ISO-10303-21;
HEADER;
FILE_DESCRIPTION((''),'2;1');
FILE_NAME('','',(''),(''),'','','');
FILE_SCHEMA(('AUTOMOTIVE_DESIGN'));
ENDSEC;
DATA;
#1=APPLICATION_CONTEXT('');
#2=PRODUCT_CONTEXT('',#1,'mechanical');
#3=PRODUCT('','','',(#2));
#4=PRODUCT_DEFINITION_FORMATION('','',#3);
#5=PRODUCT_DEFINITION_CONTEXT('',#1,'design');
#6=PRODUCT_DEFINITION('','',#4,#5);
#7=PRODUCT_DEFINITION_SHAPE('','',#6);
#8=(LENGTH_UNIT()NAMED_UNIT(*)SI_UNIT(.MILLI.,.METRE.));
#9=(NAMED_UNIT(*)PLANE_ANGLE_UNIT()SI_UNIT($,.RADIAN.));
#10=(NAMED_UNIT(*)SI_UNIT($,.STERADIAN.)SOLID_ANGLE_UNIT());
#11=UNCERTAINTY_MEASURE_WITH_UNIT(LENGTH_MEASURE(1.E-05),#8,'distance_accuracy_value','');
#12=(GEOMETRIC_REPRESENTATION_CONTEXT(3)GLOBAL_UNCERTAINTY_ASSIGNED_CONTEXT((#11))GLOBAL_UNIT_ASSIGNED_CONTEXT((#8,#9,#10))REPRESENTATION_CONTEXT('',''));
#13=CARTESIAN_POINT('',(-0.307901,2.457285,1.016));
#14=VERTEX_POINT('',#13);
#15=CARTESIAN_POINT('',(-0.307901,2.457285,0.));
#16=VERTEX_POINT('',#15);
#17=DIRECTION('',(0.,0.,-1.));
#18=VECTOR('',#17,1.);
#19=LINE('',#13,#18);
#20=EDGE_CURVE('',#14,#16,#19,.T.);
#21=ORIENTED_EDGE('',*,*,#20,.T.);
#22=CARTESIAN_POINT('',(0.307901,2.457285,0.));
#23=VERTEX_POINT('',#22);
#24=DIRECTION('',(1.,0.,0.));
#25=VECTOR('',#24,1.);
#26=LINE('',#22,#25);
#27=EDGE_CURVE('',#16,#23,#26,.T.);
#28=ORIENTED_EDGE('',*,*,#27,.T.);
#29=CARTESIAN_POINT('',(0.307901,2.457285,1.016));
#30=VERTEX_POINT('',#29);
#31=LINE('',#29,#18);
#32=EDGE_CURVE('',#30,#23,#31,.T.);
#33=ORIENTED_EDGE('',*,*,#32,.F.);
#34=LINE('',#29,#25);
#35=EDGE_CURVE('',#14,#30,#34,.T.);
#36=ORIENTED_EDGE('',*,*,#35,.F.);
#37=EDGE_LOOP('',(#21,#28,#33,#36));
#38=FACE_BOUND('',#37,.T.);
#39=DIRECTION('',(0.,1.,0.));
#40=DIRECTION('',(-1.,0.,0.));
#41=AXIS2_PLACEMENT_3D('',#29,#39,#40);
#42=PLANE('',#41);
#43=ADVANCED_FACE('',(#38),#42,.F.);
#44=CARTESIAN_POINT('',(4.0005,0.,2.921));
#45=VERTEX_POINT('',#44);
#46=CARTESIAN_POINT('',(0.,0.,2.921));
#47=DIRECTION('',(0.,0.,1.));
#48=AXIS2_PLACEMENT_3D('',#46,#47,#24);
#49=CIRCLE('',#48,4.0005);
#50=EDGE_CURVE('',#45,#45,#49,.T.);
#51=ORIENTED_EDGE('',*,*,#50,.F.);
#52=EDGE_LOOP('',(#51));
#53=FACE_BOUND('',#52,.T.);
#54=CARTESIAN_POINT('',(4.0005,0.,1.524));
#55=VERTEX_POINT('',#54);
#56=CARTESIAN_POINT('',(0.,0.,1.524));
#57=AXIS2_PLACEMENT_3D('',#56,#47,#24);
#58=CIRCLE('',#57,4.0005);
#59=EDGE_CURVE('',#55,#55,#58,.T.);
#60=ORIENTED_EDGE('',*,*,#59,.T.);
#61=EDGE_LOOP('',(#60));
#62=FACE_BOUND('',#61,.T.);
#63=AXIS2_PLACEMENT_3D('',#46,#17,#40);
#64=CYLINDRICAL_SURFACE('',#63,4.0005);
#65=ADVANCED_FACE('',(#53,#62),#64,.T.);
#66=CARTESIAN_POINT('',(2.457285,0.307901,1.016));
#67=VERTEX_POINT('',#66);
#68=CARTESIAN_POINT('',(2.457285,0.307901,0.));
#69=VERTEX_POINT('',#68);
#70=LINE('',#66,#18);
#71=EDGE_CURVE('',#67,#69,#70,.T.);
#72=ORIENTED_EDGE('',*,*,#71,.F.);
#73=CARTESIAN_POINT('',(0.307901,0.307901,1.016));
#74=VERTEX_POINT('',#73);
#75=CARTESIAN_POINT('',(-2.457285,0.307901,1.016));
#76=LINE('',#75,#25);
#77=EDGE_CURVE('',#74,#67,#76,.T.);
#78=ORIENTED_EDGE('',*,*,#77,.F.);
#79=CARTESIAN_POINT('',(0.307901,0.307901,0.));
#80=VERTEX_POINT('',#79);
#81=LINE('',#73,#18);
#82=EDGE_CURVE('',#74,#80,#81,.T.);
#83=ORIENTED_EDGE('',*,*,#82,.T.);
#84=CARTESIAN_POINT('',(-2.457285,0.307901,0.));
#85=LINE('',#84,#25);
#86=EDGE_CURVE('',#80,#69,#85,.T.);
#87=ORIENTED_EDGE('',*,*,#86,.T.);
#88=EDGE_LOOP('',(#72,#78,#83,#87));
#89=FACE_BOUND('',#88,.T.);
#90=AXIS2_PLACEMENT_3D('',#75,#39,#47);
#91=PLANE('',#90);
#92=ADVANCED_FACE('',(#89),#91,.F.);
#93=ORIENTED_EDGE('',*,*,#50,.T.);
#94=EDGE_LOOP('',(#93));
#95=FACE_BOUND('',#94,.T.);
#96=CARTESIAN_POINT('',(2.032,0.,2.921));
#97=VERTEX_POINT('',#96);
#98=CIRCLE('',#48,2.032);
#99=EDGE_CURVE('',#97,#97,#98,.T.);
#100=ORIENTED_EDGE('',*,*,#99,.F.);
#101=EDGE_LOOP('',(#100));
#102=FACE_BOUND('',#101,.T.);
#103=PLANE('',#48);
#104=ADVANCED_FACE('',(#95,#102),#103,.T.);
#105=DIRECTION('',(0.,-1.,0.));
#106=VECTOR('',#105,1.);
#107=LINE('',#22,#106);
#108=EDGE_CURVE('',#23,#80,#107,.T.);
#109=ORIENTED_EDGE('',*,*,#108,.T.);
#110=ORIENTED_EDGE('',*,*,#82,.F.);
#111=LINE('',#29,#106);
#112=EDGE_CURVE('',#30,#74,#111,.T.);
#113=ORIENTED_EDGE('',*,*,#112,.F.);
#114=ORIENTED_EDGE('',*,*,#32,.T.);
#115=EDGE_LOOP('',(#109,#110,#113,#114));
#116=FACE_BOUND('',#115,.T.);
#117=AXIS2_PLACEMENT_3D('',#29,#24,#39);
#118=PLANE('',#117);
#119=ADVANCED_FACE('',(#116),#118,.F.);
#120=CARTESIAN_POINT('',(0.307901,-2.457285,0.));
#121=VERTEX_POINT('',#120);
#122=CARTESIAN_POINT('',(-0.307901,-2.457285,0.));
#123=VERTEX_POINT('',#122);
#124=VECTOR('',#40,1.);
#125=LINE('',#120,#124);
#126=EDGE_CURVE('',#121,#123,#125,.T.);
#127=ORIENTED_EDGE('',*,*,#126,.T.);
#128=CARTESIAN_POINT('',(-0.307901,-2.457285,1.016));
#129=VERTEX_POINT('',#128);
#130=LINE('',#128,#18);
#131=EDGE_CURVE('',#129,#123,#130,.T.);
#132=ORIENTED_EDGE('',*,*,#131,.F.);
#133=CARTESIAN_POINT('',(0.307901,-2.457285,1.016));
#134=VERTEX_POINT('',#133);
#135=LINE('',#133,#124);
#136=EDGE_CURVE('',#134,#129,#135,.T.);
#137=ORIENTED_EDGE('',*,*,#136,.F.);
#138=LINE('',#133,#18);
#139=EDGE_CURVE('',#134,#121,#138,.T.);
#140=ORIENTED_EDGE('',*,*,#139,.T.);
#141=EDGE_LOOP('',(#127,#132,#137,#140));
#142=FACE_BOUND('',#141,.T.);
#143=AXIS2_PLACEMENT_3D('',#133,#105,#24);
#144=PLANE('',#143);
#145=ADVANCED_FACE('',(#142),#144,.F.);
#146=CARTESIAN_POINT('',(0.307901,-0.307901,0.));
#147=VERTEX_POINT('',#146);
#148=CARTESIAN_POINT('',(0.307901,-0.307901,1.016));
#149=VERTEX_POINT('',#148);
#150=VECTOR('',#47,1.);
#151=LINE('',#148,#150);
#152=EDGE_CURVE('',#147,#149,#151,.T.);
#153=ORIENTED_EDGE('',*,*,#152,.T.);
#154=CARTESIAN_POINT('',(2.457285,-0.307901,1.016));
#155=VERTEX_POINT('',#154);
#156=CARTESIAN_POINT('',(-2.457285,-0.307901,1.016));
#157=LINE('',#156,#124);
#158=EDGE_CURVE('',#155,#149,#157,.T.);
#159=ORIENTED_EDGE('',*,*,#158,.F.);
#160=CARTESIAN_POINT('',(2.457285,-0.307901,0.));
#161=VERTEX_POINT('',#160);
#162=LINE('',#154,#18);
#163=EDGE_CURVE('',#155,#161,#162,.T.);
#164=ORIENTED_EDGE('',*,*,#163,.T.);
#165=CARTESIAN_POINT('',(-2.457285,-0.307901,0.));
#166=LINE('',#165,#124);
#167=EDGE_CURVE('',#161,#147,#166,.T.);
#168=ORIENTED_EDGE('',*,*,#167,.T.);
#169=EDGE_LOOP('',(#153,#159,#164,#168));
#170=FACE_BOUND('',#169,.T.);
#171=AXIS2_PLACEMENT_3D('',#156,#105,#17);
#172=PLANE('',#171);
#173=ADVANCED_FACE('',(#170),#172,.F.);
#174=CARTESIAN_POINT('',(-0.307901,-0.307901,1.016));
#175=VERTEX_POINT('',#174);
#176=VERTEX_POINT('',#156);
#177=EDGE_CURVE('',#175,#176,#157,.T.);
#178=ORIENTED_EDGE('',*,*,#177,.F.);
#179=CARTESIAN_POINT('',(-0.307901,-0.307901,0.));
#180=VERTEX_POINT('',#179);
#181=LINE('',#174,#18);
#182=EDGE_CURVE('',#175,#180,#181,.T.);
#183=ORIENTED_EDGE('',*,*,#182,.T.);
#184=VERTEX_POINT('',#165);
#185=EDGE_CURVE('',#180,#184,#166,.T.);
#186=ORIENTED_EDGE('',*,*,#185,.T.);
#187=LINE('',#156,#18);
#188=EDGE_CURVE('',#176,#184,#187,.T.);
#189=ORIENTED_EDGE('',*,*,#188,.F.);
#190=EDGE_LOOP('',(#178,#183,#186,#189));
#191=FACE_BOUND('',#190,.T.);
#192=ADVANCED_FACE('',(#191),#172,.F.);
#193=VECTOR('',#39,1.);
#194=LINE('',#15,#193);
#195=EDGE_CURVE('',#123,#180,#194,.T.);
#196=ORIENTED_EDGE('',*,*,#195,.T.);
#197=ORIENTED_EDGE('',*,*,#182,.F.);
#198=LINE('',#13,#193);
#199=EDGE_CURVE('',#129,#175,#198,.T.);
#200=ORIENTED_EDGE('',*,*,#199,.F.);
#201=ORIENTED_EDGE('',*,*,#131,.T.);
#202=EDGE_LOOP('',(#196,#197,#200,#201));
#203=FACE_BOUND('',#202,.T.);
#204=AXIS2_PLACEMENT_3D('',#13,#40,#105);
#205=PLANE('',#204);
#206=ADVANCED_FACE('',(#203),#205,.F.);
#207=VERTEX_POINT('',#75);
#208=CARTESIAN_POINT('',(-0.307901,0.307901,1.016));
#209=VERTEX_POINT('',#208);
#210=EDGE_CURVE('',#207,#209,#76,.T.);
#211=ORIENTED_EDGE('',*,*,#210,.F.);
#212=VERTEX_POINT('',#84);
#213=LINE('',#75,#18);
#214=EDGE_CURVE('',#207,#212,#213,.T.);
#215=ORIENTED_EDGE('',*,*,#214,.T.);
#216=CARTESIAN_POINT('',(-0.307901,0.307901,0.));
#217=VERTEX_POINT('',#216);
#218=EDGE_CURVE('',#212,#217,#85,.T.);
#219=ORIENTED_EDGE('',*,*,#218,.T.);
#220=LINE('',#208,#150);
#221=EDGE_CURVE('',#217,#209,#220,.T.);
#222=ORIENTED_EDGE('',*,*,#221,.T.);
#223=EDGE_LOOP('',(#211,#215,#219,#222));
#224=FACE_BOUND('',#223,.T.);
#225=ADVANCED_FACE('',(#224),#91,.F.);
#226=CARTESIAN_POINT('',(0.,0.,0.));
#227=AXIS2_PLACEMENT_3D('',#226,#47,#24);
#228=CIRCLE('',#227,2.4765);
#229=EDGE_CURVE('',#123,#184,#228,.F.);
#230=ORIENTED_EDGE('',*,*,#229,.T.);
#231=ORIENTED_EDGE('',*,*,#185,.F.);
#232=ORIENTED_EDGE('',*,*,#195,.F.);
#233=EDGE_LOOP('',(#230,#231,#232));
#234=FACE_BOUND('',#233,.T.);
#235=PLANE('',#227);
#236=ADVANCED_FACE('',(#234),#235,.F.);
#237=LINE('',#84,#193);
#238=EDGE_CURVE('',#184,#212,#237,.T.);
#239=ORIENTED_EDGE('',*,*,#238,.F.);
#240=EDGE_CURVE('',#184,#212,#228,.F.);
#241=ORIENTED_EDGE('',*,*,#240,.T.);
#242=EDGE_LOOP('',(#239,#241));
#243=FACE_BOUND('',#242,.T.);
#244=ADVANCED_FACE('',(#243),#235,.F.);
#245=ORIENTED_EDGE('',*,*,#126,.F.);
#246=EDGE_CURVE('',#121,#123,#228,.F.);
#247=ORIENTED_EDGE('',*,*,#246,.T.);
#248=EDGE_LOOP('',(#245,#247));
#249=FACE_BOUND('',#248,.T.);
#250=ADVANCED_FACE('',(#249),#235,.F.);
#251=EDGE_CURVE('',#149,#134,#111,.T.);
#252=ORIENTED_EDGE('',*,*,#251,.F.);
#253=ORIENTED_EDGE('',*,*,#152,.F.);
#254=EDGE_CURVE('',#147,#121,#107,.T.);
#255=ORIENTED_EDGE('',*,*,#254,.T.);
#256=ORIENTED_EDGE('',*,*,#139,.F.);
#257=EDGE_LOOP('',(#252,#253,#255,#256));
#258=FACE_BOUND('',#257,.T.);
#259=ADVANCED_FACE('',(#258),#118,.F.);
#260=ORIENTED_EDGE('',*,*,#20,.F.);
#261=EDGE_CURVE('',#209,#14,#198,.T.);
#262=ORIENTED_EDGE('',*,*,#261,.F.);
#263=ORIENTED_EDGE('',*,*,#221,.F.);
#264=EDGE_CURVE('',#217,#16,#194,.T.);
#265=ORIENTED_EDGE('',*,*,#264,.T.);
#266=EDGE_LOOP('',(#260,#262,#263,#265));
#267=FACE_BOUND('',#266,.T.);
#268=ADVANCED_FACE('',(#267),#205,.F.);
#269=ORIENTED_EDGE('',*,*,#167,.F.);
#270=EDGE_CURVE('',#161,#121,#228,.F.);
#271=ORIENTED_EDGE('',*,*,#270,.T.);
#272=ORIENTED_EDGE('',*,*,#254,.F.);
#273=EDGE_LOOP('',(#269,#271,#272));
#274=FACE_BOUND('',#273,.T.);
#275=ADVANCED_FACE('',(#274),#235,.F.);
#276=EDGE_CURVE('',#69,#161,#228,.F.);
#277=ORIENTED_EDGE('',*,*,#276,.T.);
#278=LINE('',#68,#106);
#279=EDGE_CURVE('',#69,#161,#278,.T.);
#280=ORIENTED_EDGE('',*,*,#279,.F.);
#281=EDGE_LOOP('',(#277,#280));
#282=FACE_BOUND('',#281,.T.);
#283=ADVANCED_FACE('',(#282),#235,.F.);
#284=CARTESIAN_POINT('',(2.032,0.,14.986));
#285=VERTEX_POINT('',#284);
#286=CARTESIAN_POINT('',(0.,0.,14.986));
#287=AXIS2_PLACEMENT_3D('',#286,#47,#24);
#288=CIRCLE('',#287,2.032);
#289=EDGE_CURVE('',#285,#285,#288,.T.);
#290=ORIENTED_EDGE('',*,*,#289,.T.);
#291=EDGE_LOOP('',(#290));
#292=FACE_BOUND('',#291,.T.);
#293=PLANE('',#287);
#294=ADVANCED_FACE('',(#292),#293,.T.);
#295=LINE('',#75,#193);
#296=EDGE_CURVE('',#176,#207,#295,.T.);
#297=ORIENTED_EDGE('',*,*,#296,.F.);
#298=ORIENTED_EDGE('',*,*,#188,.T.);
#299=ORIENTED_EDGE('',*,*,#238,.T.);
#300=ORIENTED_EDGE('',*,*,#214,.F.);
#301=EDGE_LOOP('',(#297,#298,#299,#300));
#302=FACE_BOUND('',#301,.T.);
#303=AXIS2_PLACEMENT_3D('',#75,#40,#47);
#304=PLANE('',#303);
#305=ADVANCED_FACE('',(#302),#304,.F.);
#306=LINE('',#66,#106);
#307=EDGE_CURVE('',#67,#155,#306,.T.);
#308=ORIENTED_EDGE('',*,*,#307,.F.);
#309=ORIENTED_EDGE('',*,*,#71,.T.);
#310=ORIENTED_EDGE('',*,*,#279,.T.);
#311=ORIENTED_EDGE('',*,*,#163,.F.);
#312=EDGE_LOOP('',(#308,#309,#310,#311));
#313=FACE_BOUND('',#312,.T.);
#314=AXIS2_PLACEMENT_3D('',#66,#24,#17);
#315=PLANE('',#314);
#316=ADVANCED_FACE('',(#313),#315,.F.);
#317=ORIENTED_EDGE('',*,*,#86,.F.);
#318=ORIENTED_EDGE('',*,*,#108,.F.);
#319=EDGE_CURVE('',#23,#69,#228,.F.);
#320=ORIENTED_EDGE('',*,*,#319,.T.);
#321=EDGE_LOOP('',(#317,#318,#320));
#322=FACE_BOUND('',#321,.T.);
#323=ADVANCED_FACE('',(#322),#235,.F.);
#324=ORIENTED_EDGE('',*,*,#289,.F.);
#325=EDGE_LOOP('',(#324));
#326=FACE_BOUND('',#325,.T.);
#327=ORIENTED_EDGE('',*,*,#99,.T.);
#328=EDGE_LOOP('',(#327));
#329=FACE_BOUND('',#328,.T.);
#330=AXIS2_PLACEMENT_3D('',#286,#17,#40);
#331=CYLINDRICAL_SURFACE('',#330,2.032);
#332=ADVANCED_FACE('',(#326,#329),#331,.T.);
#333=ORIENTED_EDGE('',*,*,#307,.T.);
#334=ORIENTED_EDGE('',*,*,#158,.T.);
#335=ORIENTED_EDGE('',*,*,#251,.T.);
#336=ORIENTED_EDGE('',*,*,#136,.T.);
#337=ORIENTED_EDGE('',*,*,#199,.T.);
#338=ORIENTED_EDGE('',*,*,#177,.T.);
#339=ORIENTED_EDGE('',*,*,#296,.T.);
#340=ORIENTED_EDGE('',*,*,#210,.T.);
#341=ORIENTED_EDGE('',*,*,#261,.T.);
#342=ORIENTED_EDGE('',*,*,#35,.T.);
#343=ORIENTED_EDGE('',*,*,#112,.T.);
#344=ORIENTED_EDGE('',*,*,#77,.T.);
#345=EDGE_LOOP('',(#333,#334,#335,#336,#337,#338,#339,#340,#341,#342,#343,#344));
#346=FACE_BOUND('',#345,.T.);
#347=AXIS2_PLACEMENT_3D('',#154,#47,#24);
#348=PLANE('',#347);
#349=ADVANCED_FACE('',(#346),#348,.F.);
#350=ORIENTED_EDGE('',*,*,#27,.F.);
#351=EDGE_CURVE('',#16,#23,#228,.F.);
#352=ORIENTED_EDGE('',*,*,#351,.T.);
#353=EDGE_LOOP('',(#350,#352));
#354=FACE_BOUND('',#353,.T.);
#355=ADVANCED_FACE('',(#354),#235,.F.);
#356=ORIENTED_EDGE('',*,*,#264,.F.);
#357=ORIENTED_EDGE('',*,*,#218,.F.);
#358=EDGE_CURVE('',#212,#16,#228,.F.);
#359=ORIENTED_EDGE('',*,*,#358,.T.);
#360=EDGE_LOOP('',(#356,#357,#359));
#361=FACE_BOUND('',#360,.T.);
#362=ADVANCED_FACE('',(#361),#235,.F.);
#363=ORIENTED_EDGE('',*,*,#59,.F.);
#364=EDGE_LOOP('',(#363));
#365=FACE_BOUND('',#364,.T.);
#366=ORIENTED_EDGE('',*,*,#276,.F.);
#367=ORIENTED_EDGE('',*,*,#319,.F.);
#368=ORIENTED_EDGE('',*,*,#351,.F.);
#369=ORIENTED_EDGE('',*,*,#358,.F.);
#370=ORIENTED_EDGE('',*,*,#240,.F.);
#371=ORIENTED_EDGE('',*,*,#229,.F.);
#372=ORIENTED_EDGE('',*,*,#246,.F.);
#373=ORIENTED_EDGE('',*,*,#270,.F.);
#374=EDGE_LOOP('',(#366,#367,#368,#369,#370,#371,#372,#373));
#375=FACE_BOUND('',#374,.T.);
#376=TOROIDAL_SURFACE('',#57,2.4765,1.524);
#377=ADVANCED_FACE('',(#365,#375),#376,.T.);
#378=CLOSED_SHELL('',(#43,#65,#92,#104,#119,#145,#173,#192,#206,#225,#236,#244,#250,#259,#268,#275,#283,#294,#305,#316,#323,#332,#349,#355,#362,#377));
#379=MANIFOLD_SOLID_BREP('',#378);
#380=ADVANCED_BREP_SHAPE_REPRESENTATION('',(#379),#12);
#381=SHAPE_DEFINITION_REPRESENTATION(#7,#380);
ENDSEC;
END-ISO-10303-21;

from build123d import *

# Parameters (mm, degrees)
SKETCH1_R         = 4.0005
EXTRUDE1_DEPTH    = 2.921
FILLET1_R         = 1.524
SKETCH2_R         = 2.032
EXTRUDE2_DEPTH    = 12.065
SKETCH3_W         = 4.91456988
SKETCH3_H         = 0.615801824
EXTRUDE3_DEPTH    = 1.016
CIRPATTERN1_COUNT = 2
CIRPATTERN1_ANGLE = 90


with BuildPart() as part:
    # Sketch1 → Extrude1 (new body)
    with BuildSketch(Plane.XY):
        Circle(SKETCH1_R)
    extrude(amount=EXTRUDE1_DEPTH)

    # Fillet1
    fillet1_edges = [part.edges().sort_by_distance(p)[0] for p in [
        (-4.0005, 0, 0),
    ]]
    fillet(fillet1_edges, radius=FILLET1_R)

    # Sketch2 → Extrude2 (add)
    with BuildSketch(Plane.XY.offset(2.921)):
        Circle(SKETCH2_R)
    extrude(amount=EXTRUDE2_DEPTH)

    # Sketch3 → Extrude3 (cut)
    with BuildSketch(Plane(origin=(0, 0, 0), x_dir=(-1, 0, 0), z_dir=(0, 0, -1))):
        Rectangle(SKETCH3_W, SKETCH3_H)
    extrude3 = extrude(amount=-EXTRUDE3_DEPTH, mode=Mode.SUBTRACT)

    # CirPattern1: Extrude3 ×2 about axis
    cirpattern1_axis = Axis((0, 0, 0), (0, 0, -1))
    for i in range(1, CIRPATTERN1_COUNT):
        add(extrude3.rotate(cirpattern1_axis, i * CIRPATTERN1_ANGLE / (CIRPATTERN1_COUNT - 1)), mode=Mode.SUBTRACT)


solid = part.part
